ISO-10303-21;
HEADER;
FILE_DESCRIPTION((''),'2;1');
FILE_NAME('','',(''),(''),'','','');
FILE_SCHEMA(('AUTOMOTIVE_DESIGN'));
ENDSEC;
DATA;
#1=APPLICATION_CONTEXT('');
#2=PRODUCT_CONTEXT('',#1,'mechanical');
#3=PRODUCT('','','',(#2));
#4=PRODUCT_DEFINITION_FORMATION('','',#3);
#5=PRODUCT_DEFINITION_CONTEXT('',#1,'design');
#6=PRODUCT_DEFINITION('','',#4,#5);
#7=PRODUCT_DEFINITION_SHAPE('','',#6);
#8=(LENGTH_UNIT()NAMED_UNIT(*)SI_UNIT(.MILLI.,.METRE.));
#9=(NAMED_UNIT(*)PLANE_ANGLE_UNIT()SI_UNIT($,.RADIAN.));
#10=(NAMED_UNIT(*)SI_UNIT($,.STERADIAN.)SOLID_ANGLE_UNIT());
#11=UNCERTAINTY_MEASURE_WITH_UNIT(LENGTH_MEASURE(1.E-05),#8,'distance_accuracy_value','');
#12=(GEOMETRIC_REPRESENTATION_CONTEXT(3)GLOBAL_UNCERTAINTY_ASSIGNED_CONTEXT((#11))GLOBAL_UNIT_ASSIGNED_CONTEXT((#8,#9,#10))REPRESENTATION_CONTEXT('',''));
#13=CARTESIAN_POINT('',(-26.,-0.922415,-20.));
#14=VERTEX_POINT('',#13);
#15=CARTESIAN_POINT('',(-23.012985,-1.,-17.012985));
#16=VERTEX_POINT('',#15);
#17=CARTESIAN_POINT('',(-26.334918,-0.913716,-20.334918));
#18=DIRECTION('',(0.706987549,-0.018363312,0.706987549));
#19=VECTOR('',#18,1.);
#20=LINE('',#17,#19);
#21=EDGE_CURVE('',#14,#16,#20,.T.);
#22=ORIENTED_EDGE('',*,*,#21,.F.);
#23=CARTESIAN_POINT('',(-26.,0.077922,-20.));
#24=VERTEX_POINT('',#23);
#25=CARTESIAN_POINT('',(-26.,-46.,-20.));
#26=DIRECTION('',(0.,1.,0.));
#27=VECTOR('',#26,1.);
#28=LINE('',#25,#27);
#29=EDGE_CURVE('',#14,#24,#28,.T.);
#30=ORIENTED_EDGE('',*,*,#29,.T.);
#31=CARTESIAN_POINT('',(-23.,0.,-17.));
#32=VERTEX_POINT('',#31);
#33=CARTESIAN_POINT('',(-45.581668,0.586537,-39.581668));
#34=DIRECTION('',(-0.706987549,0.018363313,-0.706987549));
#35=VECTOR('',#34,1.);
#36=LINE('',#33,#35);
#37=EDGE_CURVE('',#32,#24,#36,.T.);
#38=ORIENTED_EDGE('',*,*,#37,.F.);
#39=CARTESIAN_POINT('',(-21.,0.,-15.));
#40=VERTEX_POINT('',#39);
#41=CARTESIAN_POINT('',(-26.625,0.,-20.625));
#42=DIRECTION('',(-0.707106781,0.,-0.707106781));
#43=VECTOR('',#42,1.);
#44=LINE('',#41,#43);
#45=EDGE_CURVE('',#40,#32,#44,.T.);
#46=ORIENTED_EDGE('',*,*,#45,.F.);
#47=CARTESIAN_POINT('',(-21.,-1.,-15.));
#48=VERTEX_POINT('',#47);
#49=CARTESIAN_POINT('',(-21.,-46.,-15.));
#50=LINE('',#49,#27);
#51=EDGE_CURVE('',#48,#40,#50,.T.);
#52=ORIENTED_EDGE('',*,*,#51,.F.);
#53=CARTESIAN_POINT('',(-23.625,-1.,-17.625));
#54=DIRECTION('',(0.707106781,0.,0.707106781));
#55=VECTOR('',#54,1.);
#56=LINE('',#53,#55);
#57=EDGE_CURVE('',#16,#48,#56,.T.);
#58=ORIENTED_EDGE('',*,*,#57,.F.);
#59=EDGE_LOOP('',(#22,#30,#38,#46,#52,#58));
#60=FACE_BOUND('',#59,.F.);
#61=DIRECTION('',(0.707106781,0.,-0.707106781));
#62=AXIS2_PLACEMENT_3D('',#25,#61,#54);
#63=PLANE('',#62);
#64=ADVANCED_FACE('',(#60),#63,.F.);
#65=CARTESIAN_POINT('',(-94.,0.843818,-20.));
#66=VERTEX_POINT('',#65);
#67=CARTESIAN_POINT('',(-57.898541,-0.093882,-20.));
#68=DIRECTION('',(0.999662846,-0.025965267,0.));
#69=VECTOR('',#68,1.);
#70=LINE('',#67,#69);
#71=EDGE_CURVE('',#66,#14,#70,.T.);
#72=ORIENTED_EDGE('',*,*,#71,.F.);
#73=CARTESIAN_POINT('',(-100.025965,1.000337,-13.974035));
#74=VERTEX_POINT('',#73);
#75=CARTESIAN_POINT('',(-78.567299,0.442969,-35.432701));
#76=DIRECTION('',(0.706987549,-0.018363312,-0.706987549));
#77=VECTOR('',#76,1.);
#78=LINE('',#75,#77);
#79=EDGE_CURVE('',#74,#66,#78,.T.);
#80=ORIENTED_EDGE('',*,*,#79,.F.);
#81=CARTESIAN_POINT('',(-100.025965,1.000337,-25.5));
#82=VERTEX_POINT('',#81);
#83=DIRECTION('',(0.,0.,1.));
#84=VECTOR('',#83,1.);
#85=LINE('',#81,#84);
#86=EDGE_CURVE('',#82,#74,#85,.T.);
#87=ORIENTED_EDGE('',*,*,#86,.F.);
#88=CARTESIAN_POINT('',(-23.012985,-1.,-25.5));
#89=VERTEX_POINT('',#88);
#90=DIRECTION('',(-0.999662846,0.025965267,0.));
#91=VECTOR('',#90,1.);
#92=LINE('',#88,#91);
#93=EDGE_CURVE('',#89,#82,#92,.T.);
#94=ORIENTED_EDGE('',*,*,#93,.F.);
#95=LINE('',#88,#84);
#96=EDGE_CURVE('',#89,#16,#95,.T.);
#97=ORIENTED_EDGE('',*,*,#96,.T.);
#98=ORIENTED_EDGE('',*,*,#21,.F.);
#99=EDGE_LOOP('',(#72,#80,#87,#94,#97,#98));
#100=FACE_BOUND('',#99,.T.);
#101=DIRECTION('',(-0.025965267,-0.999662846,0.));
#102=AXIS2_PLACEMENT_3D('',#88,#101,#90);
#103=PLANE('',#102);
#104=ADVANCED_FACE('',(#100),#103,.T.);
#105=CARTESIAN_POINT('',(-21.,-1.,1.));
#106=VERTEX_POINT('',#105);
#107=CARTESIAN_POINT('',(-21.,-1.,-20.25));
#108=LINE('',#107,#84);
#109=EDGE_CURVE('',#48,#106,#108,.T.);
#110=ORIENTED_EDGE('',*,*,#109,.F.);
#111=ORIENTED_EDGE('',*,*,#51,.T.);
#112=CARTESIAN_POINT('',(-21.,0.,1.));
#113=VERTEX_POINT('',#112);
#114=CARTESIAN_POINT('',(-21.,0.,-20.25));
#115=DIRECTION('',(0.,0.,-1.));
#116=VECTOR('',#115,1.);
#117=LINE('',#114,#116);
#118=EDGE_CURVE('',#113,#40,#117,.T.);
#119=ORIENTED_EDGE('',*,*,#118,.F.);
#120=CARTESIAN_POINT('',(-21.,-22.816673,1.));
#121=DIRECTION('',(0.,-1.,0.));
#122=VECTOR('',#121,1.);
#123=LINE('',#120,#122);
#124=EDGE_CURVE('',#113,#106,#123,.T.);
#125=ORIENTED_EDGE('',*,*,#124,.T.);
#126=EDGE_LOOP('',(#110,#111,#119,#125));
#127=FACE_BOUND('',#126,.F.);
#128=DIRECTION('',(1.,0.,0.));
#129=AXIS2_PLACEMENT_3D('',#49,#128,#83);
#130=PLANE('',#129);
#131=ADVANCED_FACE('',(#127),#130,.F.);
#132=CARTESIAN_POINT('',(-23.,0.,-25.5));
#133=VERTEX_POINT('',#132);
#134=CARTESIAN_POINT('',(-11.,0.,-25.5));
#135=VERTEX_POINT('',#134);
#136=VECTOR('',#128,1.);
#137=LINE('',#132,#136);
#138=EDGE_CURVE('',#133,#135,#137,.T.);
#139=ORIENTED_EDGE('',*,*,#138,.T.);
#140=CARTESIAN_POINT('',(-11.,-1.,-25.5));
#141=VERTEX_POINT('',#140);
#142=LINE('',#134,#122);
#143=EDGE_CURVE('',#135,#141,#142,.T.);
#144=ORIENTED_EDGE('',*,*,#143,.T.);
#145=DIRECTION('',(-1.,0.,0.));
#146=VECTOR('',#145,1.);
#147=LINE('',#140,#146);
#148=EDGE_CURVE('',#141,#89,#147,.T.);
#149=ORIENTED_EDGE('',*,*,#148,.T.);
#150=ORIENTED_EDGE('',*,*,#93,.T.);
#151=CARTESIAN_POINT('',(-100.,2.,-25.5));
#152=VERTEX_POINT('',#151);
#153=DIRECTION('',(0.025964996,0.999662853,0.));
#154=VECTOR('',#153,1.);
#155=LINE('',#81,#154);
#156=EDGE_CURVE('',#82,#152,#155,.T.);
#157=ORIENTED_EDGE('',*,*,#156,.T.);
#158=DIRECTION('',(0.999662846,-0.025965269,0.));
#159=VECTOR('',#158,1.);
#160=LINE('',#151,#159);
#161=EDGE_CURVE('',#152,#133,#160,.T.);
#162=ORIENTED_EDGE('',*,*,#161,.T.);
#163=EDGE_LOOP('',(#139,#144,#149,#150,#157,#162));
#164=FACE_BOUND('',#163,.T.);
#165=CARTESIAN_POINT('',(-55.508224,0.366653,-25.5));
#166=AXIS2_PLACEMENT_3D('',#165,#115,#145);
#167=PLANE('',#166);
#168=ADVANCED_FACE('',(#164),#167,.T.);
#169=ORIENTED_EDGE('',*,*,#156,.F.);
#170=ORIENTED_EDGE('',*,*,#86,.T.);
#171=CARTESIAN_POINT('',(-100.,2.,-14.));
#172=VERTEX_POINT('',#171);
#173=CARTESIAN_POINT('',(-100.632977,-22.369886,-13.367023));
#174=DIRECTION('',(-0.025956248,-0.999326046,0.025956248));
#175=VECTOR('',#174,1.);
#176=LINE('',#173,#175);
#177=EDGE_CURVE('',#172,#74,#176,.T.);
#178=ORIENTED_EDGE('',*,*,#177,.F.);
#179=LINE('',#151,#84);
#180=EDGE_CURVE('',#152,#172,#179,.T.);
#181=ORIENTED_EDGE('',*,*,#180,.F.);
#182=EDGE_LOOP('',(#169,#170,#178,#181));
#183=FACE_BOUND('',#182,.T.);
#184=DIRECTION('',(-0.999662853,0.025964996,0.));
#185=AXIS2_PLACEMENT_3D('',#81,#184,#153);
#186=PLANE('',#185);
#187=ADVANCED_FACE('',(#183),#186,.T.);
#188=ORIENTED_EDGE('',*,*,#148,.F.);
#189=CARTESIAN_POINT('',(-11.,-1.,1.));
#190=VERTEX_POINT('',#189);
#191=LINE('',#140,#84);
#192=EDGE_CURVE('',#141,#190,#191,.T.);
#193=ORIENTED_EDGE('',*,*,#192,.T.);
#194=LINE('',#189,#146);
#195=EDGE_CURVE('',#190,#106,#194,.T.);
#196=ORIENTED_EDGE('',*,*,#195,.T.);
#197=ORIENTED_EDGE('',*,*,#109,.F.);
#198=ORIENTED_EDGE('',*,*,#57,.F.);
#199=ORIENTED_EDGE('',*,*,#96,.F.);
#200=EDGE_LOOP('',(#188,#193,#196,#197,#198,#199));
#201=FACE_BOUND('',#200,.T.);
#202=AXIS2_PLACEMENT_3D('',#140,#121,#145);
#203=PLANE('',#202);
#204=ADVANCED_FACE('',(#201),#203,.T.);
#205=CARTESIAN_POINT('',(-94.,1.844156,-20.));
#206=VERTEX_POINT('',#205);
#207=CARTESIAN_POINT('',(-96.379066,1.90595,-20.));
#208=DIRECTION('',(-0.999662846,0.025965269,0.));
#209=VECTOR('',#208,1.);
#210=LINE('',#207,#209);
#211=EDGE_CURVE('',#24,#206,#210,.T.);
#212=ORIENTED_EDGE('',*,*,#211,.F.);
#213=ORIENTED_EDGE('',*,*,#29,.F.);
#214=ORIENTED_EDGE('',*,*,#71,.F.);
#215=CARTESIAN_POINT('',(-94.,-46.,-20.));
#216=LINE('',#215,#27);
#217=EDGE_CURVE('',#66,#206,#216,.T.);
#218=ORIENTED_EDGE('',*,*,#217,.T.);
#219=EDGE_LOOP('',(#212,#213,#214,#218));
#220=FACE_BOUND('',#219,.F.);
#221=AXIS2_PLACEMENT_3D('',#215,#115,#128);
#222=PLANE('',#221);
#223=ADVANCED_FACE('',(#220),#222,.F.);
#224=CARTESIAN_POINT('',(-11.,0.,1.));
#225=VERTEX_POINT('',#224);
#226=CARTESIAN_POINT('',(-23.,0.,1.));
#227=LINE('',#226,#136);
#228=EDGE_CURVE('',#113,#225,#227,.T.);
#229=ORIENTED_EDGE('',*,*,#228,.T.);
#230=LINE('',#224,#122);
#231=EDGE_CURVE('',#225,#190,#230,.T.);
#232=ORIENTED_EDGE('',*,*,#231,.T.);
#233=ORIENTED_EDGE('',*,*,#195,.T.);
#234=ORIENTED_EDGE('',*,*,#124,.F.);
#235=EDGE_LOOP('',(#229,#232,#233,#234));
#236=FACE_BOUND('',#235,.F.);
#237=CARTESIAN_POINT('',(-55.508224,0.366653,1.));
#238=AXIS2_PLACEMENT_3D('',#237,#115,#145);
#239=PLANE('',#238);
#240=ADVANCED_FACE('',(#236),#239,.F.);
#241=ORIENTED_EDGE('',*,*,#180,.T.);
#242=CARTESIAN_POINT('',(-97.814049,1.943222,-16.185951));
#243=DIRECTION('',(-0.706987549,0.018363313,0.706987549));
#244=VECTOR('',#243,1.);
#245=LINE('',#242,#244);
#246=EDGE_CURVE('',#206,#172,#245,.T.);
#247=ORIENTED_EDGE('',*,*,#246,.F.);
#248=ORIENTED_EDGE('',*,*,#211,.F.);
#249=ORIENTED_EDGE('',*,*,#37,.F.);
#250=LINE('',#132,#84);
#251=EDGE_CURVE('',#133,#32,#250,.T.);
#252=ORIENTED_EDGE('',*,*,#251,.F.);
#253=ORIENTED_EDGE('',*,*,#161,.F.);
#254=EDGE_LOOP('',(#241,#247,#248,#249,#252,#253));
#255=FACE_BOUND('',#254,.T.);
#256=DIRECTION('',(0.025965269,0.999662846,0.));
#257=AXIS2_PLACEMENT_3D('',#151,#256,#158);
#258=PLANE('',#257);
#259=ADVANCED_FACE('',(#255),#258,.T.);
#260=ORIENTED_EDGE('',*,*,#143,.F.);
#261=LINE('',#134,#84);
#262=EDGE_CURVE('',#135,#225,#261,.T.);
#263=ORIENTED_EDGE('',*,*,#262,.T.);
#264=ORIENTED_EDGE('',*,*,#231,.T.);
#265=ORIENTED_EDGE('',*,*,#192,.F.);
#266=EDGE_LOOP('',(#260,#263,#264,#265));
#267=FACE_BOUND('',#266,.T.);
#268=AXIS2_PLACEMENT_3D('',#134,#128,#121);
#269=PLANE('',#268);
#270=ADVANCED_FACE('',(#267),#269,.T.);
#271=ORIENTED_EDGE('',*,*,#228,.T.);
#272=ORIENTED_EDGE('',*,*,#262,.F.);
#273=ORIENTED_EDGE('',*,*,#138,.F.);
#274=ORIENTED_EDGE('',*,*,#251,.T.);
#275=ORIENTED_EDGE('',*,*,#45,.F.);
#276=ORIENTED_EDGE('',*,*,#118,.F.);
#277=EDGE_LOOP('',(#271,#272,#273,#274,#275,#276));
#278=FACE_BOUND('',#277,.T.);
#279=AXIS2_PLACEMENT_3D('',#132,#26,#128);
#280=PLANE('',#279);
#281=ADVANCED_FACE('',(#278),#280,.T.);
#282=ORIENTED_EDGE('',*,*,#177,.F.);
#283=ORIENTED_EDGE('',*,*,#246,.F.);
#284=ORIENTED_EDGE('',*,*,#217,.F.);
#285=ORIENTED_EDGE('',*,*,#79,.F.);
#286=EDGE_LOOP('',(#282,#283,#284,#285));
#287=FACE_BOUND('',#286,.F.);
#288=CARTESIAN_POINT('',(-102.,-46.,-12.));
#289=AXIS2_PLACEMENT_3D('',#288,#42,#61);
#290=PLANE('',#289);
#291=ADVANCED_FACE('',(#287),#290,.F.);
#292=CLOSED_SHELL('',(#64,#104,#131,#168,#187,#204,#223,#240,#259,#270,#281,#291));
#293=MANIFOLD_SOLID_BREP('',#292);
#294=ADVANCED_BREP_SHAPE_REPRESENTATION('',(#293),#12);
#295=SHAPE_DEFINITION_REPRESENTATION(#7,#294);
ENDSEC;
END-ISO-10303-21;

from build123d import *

# Parameters (mm, degrees)
EXTRUDE018_DEPTH = 60
EXTRUDE037_DEPTH = 26.5


with BuildPart() as body014:
    # Sketch022 → Extrude018 (new body)
    with BuildSketch(Plane.XZ.offset(46)):
        Polygon((-21, 7.5), (-102, 7.5), (-102, -12), (-94, -20), (-26, -20), (-21, -15), align=None)
    extrude(amount=-EXTRUDE018_DEPTH)


with BuildPart() as cut007:
    # Sketch044 → Extrude037 (new body)
    with BuildSketch(Plane.XY.offset(-25.5)):
        Polygon((-11, -1), (-23.012985, -1), (-100.025965, 1.000337), (-100, 2), (-23, 0), (-11, 0), align=None)
    extrude(amount=EXTRUDE037_DEPTH)

    # Cut007: cut Body014
    add(body014.part, mode=Mode.SUBTRACT)


solid = cut007.part
